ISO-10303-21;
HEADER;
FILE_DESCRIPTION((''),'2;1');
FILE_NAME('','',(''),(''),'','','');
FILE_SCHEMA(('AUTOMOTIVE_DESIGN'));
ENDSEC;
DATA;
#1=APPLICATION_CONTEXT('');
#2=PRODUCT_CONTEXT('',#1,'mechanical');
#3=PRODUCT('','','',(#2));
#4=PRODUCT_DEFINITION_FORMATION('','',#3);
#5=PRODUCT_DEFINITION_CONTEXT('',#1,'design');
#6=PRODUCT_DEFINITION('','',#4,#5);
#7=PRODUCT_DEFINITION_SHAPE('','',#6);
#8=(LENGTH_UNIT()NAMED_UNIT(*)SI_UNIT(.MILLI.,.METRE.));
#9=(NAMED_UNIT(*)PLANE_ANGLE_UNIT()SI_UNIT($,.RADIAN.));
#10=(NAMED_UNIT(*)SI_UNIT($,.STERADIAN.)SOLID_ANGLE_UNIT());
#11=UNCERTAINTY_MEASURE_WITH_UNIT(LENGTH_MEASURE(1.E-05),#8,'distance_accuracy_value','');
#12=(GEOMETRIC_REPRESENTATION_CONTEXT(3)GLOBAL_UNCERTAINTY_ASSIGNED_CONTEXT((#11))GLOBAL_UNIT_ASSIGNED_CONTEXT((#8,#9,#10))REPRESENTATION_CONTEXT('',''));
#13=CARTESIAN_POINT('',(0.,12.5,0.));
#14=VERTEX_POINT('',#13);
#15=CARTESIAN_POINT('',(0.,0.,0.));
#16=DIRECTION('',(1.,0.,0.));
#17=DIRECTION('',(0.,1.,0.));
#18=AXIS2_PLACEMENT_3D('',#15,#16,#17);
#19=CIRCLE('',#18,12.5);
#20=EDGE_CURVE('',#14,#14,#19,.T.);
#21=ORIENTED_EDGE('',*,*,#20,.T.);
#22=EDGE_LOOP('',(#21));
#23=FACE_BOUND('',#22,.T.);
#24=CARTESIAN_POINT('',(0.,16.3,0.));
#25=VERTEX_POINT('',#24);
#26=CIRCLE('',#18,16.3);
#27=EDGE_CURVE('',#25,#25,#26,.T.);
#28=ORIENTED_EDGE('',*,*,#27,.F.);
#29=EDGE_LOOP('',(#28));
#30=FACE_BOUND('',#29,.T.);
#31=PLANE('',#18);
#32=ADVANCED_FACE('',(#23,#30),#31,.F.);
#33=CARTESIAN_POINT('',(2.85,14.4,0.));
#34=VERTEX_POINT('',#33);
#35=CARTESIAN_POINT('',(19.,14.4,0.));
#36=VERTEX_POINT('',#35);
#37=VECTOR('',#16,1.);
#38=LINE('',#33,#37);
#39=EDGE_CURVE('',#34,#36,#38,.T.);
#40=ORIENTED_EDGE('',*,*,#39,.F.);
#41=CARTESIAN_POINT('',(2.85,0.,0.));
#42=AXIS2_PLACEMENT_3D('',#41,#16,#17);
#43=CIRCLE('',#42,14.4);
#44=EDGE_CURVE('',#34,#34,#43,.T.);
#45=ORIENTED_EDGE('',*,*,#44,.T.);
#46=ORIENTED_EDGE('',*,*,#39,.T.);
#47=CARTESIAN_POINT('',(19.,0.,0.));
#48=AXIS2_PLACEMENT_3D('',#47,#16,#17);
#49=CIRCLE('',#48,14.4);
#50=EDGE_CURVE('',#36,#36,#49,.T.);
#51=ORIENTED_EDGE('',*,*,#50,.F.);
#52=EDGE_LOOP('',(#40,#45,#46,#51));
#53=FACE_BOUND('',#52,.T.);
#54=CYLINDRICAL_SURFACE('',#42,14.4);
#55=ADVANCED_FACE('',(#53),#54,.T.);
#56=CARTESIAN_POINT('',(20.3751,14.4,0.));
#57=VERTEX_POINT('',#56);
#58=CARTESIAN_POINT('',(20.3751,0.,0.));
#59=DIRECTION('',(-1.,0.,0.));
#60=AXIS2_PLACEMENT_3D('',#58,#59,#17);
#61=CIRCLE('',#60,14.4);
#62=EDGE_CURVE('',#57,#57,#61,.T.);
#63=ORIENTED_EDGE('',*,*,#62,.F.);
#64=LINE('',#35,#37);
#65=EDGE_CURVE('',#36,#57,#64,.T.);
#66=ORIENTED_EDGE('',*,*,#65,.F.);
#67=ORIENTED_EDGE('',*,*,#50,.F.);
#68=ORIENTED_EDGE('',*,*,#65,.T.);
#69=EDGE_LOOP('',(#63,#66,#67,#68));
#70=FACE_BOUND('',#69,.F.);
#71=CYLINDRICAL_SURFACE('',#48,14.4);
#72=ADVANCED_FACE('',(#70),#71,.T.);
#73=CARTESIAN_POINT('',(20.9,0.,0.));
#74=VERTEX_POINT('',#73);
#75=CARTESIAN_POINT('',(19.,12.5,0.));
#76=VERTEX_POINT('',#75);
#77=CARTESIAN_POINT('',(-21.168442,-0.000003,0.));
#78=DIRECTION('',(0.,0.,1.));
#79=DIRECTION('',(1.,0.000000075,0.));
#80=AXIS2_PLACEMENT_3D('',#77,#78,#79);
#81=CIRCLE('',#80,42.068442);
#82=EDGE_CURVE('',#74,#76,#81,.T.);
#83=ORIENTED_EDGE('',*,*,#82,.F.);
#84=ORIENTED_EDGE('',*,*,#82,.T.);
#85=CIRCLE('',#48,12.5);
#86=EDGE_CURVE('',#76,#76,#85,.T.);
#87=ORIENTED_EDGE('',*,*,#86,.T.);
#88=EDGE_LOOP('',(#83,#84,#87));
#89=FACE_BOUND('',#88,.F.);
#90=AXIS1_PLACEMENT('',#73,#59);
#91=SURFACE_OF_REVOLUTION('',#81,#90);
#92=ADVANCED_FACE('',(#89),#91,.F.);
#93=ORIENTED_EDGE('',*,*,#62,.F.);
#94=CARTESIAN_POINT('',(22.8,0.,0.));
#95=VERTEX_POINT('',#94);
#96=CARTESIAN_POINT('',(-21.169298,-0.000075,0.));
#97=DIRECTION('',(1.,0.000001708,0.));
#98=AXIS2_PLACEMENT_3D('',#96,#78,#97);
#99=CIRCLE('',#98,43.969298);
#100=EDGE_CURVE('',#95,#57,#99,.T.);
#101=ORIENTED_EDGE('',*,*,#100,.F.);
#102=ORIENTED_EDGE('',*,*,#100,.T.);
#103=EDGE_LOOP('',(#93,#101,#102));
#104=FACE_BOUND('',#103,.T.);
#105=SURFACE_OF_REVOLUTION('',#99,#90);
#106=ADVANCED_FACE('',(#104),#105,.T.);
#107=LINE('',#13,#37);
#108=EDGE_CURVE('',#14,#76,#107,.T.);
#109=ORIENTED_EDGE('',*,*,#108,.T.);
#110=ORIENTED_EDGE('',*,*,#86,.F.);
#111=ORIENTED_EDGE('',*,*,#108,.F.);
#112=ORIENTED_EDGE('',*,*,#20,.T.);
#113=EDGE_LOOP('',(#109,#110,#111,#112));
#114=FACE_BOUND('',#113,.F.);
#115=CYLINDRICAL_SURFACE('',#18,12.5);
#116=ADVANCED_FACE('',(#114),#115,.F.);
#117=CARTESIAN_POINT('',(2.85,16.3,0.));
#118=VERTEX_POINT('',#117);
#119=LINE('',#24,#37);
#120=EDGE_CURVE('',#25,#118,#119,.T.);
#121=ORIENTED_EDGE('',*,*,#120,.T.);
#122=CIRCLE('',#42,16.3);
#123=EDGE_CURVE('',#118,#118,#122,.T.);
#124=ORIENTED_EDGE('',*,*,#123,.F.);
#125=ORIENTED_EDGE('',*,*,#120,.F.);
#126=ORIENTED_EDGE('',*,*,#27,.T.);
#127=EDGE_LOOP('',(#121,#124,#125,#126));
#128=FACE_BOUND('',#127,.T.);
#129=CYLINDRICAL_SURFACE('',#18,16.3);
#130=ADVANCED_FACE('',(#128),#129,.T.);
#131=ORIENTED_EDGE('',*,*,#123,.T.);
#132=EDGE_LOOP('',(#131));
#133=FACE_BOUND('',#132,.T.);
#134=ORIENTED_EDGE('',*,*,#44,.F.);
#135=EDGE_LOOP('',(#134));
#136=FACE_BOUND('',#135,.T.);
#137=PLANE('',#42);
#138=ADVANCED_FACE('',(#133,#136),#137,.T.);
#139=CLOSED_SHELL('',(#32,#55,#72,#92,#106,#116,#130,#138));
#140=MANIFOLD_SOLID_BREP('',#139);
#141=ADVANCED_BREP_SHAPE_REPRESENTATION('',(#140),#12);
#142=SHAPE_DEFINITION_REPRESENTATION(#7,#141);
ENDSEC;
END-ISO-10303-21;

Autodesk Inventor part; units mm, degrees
ref_plane "YZ Plane" through (0, 0, 0) normal (1, 0, 0) x (0, 1, 0)
ref_plane "XZ Plane" through (0, 0, 0) normal (0, 1, 0) x (-1, 0, 0)
ref_plane "XY Plane" through (0, 0, 0) normal (0, 0, 1) x (1, 0, 0)
sketch "Sketch1" plane through (0, 0, 0) normal (0, 0, 1) x (1, 0, 0)
  line L0 (0, 0) -> (19, 0)
  line L1 (0, 0) -> (0, 12.5) construction
  line L2 (0, 12.5) -> (0, 16.3)
  line L3 (0, 16.3) -> (2.85, 16.3)
  line L4 (2.85, 16.3) -> (2.85, 14.4)
  line L5 (2.85, 14.4) -> (19, 14.4)
  line L6 (0, 12.5) -> (19, 12.5)
  line L7 (19, 14.4) -> (19, 0) construction
  line L8 (19, 14.4) -> (22.8, 14.4) construction
  line L9 (22.8, 14.4) -> (22.8, 0) construction
  line L10 (22.8, 0) -> (19, 0) construction
  line L11 (20.9, 14.4) -> (20.9, 0) construction
  line L12 (19, -14.4) -> (19, 0) construction
  line L13 (19, -14.4) -> (22.8, -14.4) construction
  line L14 (22.8, -14.4) -> (22.8, 0) construction
  line L15 (20.9, -14.4) -> (20.9, 0) construction
  line L16 (20.9, 0) -> (19, 0) construction
  line L17 (19, 12.5) -> (19, 14.4)
  arc A0 (20.9, 0) -> (19, 12.5) centre (-21.1684, 0) ccw
  line L18 (19, 14.4) -> (20.3751, 14.4)
  line L19 (20.9, 0) -> (22.8, 0)
  arc A1 (22.8, 0) -> (20.3751, 14.4) centre (-21.1684, 0) ccw
  dimension "d0" = 2.85
  dimension "d2" = 1.9
  dimension "d3" = 1.9
  dimension "d4" = 25
  dimension "d5" = 19
  dimension "d6" = 3.8
revolve "Revolve1" add sketch "Sketch1" angle 360 about axis through (0, 0, 0) along (1, 0, 0) contours L2 L3 L4 L5 L17 L6
revolve "Revolve2" add sketch "Sketch1" angle 360 about axis through (20.9, 0, 0) along (-1, 0, 0) contours L17 L18 A1 L19 A0
equation "\"d0\" = 1.5 * s1"
equation "\"d2\" = s1"
equation "\"d3\" = s1"
equation "\"d4\" = d1"
equation "\"d5\" = t1"
equation "\"d6\" = 2 * s1"
equation "\"d1\" = 25"
equation "\"t1\" = 19"
equation "\"s1\" = 1.9"
properties part number "DIN 8063 Cap Type K 25" material "PVC, Unplasticized"
